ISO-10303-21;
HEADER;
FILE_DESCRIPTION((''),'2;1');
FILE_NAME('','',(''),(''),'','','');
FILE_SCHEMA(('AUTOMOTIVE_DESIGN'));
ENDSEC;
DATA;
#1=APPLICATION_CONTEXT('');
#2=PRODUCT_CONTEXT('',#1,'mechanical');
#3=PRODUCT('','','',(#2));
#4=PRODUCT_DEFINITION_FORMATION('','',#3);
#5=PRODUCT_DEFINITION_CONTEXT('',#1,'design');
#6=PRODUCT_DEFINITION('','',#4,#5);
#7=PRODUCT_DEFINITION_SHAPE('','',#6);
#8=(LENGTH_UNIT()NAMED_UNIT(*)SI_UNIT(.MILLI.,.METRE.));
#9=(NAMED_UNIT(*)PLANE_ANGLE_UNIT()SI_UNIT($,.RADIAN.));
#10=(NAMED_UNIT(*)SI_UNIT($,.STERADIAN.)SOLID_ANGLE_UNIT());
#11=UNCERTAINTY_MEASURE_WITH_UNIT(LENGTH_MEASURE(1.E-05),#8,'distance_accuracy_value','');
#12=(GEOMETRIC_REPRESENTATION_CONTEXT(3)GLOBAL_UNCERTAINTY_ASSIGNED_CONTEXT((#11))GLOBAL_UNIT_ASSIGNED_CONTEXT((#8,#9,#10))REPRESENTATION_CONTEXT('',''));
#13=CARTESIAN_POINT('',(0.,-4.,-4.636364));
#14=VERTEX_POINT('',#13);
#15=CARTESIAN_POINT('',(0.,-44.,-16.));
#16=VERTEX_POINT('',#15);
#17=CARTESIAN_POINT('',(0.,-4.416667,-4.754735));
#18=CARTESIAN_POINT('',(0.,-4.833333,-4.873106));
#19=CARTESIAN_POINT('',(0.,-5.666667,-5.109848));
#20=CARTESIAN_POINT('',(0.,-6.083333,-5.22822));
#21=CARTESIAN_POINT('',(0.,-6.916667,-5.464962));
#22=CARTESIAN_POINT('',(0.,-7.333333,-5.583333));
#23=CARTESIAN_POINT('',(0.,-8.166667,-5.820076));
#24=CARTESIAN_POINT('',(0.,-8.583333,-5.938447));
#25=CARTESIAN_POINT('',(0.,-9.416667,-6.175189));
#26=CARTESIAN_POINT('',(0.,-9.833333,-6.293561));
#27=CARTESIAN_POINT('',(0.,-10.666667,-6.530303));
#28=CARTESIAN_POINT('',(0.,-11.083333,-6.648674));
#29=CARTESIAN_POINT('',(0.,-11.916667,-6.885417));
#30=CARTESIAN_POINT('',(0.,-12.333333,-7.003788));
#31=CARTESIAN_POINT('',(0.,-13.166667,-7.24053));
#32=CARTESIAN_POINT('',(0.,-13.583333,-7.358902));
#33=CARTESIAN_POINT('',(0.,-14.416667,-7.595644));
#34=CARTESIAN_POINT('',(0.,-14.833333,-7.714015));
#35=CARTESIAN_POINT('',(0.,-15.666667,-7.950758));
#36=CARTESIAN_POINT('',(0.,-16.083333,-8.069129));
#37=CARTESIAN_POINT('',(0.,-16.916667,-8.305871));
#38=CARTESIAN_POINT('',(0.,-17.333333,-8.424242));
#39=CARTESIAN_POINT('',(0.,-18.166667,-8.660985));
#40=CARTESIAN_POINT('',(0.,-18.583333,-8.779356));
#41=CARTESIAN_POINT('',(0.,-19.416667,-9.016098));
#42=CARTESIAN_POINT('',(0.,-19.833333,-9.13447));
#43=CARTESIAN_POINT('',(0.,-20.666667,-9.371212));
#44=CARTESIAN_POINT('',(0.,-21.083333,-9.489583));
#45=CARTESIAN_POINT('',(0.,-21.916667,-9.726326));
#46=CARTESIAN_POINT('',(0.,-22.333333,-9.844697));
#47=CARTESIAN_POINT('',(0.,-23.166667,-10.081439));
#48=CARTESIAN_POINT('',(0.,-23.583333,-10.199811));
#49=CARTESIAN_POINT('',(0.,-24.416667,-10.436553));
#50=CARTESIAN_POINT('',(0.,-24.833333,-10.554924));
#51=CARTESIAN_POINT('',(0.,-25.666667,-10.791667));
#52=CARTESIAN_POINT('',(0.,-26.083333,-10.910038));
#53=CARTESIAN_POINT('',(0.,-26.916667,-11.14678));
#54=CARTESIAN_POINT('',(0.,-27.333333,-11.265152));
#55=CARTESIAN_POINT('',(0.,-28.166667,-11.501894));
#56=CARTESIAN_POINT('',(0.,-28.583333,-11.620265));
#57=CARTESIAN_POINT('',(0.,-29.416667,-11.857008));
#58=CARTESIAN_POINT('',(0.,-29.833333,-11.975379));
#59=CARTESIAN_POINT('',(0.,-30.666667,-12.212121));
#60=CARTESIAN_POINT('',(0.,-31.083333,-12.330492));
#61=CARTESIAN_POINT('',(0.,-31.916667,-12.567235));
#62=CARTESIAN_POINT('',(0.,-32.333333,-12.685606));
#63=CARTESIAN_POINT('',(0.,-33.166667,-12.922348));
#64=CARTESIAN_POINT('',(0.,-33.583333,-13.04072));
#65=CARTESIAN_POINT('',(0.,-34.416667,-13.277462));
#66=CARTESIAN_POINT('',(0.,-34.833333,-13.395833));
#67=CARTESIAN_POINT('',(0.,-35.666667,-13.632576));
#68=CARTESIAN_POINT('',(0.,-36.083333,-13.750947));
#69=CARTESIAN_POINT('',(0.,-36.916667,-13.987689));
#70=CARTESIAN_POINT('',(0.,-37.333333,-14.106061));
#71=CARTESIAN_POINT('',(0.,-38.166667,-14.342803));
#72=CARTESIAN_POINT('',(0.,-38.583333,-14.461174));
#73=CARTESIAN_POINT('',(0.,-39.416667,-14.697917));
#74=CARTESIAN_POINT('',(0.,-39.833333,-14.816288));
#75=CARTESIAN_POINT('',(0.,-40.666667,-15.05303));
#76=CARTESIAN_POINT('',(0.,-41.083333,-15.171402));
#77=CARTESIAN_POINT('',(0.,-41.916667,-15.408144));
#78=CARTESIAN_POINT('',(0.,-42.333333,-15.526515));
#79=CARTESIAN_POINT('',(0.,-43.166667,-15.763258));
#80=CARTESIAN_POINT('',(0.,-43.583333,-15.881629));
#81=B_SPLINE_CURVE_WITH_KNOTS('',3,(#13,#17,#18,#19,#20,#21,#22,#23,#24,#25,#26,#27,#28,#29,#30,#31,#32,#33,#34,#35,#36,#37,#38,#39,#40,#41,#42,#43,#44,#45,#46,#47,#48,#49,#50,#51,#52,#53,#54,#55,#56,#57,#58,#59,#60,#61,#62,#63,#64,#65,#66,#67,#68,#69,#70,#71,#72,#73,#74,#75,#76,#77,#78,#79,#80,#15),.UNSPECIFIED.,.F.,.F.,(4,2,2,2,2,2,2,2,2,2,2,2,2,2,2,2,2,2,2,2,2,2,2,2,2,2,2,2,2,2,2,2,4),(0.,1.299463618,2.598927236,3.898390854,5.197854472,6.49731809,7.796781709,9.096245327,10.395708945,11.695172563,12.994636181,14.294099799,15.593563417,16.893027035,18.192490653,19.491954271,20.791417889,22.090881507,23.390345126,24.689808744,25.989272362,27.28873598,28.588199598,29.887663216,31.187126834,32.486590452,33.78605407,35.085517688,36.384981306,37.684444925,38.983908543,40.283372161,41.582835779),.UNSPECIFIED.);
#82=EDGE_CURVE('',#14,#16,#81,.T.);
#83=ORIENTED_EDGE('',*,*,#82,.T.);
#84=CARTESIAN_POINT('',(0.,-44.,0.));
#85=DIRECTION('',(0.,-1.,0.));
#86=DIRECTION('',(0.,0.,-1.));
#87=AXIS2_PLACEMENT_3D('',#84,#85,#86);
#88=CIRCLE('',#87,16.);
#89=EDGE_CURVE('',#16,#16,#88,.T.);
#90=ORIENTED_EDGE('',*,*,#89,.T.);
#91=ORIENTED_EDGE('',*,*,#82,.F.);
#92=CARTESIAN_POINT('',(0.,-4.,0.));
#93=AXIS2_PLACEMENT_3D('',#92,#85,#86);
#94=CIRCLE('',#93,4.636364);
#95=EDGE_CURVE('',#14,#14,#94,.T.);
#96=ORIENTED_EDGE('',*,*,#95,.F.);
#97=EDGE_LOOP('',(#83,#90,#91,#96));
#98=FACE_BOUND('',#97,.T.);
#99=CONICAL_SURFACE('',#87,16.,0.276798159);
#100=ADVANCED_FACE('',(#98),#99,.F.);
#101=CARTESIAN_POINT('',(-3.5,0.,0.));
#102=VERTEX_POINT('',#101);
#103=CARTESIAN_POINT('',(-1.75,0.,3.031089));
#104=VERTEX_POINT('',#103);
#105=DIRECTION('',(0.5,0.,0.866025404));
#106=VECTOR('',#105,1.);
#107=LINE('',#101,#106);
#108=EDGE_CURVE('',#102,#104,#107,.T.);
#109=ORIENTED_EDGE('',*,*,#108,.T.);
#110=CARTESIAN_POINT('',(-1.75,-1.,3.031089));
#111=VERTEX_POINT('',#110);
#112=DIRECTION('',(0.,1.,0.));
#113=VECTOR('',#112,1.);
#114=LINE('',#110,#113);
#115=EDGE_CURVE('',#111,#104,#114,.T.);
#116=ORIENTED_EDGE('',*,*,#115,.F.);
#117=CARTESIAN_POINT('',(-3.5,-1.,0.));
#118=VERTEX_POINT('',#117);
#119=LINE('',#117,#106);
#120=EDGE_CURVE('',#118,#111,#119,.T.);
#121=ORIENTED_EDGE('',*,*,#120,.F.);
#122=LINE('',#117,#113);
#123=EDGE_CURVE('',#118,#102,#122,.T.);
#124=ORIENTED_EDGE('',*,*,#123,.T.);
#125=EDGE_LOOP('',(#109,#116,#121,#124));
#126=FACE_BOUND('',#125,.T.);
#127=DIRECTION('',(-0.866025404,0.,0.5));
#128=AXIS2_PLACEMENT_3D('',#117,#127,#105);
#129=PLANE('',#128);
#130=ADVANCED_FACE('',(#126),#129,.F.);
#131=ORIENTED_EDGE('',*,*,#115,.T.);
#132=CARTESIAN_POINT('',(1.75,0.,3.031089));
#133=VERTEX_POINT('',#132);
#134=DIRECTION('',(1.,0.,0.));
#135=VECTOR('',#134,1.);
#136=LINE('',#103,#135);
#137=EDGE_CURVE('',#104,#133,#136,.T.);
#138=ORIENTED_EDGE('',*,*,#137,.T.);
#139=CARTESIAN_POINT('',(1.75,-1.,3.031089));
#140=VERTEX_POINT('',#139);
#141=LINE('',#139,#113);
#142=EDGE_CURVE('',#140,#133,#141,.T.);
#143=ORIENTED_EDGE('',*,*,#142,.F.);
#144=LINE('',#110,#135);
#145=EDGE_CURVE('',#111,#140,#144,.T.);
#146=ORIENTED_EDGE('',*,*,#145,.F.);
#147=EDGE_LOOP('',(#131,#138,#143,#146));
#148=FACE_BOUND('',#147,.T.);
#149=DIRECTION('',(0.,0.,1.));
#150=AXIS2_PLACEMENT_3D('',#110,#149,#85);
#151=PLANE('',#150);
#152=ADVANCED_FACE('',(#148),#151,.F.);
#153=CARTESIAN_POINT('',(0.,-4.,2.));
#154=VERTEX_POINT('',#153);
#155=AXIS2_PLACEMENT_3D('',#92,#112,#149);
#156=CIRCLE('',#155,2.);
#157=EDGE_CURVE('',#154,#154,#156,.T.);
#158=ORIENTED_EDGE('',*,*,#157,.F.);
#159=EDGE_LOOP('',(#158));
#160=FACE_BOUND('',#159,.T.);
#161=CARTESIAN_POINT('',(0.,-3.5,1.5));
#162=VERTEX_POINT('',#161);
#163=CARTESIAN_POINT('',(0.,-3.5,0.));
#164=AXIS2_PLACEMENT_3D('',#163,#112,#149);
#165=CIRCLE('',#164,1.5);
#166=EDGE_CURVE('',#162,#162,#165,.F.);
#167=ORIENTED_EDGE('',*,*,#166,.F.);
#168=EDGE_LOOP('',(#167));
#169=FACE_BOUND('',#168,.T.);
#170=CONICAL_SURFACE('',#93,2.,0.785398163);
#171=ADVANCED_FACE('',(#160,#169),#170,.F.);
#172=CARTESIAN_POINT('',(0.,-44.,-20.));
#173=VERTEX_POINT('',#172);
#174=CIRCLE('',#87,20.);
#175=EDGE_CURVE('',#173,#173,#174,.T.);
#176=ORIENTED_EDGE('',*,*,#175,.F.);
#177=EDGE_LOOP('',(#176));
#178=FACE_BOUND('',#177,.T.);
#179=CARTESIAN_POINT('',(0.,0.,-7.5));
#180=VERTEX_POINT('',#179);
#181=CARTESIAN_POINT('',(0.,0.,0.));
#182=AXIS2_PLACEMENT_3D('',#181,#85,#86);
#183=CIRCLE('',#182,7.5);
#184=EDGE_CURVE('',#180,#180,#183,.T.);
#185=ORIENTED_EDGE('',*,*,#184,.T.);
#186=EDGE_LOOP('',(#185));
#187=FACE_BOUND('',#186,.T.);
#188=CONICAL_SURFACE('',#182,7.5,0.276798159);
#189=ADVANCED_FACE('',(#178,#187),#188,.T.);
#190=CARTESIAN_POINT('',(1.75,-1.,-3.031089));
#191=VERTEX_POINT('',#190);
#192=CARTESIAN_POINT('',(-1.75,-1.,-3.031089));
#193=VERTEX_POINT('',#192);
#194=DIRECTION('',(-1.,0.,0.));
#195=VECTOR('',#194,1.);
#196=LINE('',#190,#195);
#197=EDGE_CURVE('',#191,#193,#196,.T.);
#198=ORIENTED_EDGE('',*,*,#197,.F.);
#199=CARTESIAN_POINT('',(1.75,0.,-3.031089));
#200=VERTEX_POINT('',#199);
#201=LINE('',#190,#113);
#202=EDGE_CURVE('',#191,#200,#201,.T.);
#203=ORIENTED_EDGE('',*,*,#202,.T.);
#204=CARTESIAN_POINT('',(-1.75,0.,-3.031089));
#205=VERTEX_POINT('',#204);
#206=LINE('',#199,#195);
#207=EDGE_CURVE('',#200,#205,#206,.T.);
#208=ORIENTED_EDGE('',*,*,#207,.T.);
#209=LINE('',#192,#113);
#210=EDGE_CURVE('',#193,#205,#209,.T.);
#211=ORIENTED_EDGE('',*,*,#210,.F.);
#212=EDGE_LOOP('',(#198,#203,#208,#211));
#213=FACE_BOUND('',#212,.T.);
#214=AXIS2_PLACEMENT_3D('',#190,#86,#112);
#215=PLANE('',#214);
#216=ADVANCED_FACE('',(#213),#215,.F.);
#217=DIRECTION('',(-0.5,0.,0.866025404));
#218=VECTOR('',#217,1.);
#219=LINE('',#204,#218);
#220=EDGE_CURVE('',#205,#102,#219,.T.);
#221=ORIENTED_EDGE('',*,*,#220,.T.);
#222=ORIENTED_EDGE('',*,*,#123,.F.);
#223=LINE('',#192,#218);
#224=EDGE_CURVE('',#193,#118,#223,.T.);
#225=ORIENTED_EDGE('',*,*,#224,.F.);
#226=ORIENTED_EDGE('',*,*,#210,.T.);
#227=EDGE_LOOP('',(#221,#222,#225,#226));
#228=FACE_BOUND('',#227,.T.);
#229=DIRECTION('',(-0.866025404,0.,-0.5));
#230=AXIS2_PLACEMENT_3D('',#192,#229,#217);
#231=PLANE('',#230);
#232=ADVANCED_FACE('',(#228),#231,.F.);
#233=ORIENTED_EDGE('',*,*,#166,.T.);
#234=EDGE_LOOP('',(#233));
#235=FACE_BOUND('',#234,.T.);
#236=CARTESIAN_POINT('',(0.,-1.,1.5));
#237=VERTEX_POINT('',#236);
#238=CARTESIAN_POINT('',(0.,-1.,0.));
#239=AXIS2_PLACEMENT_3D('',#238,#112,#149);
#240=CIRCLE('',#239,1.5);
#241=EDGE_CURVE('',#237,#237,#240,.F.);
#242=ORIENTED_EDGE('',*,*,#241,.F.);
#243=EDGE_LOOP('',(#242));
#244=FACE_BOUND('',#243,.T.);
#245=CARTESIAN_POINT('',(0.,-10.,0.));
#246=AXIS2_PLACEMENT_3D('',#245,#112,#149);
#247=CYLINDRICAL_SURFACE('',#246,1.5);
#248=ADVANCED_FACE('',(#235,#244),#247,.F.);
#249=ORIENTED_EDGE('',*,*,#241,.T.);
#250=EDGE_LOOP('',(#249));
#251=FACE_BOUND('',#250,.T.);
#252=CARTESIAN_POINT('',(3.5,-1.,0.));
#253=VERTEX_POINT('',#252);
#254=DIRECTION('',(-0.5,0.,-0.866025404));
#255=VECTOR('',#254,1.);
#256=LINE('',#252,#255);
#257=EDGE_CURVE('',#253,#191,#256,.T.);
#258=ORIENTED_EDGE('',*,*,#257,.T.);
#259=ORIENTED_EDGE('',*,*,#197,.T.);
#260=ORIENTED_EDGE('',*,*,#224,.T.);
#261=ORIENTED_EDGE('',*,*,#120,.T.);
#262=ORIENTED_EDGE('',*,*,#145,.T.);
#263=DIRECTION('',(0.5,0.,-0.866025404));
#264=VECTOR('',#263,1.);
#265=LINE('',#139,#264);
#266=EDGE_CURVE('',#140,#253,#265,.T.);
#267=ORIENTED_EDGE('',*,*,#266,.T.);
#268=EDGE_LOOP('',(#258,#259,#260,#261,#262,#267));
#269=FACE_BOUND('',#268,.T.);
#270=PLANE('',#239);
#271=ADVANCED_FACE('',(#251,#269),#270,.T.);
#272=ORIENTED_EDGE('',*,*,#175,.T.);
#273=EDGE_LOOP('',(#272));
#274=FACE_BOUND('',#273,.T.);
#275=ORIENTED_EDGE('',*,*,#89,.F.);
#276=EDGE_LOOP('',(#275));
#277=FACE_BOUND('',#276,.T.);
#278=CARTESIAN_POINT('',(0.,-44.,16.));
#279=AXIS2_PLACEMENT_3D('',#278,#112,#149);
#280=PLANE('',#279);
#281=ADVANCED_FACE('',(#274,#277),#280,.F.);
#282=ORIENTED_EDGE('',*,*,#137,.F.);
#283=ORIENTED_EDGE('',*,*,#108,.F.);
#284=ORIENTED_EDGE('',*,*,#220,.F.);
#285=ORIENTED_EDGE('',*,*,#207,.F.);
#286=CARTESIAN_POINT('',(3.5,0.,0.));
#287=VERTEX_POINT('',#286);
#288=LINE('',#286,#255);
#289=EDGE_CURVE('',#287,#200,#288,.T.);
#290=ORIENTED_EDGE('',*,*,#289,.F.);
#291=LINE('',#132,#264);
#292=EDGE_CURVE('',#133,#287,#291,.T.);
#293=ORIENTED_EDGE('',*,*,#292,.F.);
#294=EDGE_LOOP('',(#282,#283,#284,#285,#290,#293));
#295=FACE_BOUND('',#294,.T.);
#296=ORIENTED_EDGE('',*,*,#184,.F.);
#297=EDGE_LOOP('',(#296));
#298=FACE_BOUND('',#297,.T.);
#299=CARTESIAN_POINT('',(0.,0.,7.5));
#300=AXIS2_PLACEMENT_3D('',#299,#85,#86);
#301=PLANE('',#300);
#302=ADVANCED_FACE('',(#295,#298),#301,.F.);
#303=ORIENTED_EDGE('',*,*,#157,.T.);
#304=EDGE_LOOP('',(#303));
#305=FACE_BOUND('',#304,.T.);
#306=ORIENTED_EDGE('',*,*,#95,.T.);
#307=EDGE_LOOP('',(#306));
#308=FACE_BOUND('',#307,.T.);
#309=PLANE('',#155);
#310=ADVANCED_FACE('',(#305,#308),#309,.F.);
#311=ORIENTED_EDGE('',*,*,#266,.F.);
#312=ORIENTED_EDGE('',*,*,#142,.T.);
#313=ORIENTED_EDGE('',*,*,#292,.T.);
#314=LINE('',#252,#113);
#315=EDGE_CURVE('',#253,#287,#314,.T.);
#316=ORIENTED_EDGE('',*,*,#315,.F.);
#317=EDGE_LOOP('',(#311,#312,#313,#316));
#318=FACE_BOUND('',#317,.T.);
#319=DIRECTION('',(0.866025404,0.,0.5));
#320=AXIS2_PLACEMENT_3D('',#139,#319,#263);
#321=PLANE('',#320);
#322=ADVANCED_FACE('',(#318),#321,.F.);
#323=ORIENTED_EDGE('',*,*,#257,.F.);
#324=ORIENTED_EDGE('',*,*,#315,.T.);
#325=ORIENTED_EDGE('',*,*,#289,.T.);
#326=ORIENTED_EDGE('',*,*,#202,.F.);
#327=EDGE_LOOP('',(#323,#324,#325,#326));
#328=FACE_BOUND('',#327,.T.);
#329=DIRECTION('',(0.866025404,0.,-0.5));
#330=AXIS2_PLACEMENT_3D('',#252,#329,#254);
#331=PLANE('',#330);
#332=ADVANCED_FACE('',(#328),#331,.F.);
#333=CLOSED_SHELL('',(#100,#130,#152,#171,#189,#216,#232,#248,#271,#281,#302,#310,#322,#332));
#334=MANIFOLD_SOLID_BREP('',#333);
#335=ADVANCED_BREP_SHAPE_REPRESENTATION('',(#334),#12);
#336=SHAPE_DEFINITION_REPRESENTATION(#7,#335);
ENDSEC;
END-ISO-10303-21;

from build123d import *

# Parameters (mm, degrees)
SKETCH_4_R          = 1.5
CUT_EXTRUDE_1_DEPTH = 10
CHAMFER_1_SIZE      = 0.5
CUT_EXTRUDE_2_DEPTH = 1


with BuildPart() as part:
    # 草图3 → 旋转1 (revolve)
    with BuildSketch(Plane(origin=(0, 0, 0), x_dir=(0, 0, -1), z_dir=(1, 0, 0)), mode=Mode.PRIVATE) as revolve_1_sk:
        Polygon((-7.5, 0), (0, 0), (0, -4), (-4.636363636, -4), (-16, -44), (-20, -44), align=None)
    revolve(revolve_1_sk.sketch.rotate(Axis((0, 28.450677981, 0), (0, 1, 0)), 180), axis=Axis((0, 28.450677981, 0), (0, 1, 0)))

    # 草图4 → 切除-拉伸1 (cut)
    with BuildSketch(Plane(origin=(0, 0, 0), x_dir=(1, 0, 0), z_dir=(0, 1, 0))):
        with Locations(Location((0, 0, 0), (0, 0, 270))):
            Circle(SKETCH_4_R)
    extrude(amount=-CUT_EXTRUDE_1_DEPTH, mode=Mode.SUBTRACT)

    # 倒角1
    chamfer_1_edges = [part.edges().sort_by_distance(p)[0] for p in [
        (0, -4, -1.5),
    ]]
    chamfer(chamfer_1_edges, length=CHAMFER_1_SIZE)

    # 草图5 → 切除-拉伸2 (cut)
    with BuildSketch(Plane(origin=(0, 0, 0), x_dir=(1, 0, 0), z_dir=(0, 1, 0))):
        Polygon((3.5, 0), (1.75, 3.031088913), (-1.75, 3.031088913), (-3.5, 0), (-1.75, -3.031088913), (1.75, -3.031088913), align=None)
    extrude(amount=-CUT_EXTRUDE_2_DEPTH, mode=Mode.SUBTRACT)


solid = part.part
